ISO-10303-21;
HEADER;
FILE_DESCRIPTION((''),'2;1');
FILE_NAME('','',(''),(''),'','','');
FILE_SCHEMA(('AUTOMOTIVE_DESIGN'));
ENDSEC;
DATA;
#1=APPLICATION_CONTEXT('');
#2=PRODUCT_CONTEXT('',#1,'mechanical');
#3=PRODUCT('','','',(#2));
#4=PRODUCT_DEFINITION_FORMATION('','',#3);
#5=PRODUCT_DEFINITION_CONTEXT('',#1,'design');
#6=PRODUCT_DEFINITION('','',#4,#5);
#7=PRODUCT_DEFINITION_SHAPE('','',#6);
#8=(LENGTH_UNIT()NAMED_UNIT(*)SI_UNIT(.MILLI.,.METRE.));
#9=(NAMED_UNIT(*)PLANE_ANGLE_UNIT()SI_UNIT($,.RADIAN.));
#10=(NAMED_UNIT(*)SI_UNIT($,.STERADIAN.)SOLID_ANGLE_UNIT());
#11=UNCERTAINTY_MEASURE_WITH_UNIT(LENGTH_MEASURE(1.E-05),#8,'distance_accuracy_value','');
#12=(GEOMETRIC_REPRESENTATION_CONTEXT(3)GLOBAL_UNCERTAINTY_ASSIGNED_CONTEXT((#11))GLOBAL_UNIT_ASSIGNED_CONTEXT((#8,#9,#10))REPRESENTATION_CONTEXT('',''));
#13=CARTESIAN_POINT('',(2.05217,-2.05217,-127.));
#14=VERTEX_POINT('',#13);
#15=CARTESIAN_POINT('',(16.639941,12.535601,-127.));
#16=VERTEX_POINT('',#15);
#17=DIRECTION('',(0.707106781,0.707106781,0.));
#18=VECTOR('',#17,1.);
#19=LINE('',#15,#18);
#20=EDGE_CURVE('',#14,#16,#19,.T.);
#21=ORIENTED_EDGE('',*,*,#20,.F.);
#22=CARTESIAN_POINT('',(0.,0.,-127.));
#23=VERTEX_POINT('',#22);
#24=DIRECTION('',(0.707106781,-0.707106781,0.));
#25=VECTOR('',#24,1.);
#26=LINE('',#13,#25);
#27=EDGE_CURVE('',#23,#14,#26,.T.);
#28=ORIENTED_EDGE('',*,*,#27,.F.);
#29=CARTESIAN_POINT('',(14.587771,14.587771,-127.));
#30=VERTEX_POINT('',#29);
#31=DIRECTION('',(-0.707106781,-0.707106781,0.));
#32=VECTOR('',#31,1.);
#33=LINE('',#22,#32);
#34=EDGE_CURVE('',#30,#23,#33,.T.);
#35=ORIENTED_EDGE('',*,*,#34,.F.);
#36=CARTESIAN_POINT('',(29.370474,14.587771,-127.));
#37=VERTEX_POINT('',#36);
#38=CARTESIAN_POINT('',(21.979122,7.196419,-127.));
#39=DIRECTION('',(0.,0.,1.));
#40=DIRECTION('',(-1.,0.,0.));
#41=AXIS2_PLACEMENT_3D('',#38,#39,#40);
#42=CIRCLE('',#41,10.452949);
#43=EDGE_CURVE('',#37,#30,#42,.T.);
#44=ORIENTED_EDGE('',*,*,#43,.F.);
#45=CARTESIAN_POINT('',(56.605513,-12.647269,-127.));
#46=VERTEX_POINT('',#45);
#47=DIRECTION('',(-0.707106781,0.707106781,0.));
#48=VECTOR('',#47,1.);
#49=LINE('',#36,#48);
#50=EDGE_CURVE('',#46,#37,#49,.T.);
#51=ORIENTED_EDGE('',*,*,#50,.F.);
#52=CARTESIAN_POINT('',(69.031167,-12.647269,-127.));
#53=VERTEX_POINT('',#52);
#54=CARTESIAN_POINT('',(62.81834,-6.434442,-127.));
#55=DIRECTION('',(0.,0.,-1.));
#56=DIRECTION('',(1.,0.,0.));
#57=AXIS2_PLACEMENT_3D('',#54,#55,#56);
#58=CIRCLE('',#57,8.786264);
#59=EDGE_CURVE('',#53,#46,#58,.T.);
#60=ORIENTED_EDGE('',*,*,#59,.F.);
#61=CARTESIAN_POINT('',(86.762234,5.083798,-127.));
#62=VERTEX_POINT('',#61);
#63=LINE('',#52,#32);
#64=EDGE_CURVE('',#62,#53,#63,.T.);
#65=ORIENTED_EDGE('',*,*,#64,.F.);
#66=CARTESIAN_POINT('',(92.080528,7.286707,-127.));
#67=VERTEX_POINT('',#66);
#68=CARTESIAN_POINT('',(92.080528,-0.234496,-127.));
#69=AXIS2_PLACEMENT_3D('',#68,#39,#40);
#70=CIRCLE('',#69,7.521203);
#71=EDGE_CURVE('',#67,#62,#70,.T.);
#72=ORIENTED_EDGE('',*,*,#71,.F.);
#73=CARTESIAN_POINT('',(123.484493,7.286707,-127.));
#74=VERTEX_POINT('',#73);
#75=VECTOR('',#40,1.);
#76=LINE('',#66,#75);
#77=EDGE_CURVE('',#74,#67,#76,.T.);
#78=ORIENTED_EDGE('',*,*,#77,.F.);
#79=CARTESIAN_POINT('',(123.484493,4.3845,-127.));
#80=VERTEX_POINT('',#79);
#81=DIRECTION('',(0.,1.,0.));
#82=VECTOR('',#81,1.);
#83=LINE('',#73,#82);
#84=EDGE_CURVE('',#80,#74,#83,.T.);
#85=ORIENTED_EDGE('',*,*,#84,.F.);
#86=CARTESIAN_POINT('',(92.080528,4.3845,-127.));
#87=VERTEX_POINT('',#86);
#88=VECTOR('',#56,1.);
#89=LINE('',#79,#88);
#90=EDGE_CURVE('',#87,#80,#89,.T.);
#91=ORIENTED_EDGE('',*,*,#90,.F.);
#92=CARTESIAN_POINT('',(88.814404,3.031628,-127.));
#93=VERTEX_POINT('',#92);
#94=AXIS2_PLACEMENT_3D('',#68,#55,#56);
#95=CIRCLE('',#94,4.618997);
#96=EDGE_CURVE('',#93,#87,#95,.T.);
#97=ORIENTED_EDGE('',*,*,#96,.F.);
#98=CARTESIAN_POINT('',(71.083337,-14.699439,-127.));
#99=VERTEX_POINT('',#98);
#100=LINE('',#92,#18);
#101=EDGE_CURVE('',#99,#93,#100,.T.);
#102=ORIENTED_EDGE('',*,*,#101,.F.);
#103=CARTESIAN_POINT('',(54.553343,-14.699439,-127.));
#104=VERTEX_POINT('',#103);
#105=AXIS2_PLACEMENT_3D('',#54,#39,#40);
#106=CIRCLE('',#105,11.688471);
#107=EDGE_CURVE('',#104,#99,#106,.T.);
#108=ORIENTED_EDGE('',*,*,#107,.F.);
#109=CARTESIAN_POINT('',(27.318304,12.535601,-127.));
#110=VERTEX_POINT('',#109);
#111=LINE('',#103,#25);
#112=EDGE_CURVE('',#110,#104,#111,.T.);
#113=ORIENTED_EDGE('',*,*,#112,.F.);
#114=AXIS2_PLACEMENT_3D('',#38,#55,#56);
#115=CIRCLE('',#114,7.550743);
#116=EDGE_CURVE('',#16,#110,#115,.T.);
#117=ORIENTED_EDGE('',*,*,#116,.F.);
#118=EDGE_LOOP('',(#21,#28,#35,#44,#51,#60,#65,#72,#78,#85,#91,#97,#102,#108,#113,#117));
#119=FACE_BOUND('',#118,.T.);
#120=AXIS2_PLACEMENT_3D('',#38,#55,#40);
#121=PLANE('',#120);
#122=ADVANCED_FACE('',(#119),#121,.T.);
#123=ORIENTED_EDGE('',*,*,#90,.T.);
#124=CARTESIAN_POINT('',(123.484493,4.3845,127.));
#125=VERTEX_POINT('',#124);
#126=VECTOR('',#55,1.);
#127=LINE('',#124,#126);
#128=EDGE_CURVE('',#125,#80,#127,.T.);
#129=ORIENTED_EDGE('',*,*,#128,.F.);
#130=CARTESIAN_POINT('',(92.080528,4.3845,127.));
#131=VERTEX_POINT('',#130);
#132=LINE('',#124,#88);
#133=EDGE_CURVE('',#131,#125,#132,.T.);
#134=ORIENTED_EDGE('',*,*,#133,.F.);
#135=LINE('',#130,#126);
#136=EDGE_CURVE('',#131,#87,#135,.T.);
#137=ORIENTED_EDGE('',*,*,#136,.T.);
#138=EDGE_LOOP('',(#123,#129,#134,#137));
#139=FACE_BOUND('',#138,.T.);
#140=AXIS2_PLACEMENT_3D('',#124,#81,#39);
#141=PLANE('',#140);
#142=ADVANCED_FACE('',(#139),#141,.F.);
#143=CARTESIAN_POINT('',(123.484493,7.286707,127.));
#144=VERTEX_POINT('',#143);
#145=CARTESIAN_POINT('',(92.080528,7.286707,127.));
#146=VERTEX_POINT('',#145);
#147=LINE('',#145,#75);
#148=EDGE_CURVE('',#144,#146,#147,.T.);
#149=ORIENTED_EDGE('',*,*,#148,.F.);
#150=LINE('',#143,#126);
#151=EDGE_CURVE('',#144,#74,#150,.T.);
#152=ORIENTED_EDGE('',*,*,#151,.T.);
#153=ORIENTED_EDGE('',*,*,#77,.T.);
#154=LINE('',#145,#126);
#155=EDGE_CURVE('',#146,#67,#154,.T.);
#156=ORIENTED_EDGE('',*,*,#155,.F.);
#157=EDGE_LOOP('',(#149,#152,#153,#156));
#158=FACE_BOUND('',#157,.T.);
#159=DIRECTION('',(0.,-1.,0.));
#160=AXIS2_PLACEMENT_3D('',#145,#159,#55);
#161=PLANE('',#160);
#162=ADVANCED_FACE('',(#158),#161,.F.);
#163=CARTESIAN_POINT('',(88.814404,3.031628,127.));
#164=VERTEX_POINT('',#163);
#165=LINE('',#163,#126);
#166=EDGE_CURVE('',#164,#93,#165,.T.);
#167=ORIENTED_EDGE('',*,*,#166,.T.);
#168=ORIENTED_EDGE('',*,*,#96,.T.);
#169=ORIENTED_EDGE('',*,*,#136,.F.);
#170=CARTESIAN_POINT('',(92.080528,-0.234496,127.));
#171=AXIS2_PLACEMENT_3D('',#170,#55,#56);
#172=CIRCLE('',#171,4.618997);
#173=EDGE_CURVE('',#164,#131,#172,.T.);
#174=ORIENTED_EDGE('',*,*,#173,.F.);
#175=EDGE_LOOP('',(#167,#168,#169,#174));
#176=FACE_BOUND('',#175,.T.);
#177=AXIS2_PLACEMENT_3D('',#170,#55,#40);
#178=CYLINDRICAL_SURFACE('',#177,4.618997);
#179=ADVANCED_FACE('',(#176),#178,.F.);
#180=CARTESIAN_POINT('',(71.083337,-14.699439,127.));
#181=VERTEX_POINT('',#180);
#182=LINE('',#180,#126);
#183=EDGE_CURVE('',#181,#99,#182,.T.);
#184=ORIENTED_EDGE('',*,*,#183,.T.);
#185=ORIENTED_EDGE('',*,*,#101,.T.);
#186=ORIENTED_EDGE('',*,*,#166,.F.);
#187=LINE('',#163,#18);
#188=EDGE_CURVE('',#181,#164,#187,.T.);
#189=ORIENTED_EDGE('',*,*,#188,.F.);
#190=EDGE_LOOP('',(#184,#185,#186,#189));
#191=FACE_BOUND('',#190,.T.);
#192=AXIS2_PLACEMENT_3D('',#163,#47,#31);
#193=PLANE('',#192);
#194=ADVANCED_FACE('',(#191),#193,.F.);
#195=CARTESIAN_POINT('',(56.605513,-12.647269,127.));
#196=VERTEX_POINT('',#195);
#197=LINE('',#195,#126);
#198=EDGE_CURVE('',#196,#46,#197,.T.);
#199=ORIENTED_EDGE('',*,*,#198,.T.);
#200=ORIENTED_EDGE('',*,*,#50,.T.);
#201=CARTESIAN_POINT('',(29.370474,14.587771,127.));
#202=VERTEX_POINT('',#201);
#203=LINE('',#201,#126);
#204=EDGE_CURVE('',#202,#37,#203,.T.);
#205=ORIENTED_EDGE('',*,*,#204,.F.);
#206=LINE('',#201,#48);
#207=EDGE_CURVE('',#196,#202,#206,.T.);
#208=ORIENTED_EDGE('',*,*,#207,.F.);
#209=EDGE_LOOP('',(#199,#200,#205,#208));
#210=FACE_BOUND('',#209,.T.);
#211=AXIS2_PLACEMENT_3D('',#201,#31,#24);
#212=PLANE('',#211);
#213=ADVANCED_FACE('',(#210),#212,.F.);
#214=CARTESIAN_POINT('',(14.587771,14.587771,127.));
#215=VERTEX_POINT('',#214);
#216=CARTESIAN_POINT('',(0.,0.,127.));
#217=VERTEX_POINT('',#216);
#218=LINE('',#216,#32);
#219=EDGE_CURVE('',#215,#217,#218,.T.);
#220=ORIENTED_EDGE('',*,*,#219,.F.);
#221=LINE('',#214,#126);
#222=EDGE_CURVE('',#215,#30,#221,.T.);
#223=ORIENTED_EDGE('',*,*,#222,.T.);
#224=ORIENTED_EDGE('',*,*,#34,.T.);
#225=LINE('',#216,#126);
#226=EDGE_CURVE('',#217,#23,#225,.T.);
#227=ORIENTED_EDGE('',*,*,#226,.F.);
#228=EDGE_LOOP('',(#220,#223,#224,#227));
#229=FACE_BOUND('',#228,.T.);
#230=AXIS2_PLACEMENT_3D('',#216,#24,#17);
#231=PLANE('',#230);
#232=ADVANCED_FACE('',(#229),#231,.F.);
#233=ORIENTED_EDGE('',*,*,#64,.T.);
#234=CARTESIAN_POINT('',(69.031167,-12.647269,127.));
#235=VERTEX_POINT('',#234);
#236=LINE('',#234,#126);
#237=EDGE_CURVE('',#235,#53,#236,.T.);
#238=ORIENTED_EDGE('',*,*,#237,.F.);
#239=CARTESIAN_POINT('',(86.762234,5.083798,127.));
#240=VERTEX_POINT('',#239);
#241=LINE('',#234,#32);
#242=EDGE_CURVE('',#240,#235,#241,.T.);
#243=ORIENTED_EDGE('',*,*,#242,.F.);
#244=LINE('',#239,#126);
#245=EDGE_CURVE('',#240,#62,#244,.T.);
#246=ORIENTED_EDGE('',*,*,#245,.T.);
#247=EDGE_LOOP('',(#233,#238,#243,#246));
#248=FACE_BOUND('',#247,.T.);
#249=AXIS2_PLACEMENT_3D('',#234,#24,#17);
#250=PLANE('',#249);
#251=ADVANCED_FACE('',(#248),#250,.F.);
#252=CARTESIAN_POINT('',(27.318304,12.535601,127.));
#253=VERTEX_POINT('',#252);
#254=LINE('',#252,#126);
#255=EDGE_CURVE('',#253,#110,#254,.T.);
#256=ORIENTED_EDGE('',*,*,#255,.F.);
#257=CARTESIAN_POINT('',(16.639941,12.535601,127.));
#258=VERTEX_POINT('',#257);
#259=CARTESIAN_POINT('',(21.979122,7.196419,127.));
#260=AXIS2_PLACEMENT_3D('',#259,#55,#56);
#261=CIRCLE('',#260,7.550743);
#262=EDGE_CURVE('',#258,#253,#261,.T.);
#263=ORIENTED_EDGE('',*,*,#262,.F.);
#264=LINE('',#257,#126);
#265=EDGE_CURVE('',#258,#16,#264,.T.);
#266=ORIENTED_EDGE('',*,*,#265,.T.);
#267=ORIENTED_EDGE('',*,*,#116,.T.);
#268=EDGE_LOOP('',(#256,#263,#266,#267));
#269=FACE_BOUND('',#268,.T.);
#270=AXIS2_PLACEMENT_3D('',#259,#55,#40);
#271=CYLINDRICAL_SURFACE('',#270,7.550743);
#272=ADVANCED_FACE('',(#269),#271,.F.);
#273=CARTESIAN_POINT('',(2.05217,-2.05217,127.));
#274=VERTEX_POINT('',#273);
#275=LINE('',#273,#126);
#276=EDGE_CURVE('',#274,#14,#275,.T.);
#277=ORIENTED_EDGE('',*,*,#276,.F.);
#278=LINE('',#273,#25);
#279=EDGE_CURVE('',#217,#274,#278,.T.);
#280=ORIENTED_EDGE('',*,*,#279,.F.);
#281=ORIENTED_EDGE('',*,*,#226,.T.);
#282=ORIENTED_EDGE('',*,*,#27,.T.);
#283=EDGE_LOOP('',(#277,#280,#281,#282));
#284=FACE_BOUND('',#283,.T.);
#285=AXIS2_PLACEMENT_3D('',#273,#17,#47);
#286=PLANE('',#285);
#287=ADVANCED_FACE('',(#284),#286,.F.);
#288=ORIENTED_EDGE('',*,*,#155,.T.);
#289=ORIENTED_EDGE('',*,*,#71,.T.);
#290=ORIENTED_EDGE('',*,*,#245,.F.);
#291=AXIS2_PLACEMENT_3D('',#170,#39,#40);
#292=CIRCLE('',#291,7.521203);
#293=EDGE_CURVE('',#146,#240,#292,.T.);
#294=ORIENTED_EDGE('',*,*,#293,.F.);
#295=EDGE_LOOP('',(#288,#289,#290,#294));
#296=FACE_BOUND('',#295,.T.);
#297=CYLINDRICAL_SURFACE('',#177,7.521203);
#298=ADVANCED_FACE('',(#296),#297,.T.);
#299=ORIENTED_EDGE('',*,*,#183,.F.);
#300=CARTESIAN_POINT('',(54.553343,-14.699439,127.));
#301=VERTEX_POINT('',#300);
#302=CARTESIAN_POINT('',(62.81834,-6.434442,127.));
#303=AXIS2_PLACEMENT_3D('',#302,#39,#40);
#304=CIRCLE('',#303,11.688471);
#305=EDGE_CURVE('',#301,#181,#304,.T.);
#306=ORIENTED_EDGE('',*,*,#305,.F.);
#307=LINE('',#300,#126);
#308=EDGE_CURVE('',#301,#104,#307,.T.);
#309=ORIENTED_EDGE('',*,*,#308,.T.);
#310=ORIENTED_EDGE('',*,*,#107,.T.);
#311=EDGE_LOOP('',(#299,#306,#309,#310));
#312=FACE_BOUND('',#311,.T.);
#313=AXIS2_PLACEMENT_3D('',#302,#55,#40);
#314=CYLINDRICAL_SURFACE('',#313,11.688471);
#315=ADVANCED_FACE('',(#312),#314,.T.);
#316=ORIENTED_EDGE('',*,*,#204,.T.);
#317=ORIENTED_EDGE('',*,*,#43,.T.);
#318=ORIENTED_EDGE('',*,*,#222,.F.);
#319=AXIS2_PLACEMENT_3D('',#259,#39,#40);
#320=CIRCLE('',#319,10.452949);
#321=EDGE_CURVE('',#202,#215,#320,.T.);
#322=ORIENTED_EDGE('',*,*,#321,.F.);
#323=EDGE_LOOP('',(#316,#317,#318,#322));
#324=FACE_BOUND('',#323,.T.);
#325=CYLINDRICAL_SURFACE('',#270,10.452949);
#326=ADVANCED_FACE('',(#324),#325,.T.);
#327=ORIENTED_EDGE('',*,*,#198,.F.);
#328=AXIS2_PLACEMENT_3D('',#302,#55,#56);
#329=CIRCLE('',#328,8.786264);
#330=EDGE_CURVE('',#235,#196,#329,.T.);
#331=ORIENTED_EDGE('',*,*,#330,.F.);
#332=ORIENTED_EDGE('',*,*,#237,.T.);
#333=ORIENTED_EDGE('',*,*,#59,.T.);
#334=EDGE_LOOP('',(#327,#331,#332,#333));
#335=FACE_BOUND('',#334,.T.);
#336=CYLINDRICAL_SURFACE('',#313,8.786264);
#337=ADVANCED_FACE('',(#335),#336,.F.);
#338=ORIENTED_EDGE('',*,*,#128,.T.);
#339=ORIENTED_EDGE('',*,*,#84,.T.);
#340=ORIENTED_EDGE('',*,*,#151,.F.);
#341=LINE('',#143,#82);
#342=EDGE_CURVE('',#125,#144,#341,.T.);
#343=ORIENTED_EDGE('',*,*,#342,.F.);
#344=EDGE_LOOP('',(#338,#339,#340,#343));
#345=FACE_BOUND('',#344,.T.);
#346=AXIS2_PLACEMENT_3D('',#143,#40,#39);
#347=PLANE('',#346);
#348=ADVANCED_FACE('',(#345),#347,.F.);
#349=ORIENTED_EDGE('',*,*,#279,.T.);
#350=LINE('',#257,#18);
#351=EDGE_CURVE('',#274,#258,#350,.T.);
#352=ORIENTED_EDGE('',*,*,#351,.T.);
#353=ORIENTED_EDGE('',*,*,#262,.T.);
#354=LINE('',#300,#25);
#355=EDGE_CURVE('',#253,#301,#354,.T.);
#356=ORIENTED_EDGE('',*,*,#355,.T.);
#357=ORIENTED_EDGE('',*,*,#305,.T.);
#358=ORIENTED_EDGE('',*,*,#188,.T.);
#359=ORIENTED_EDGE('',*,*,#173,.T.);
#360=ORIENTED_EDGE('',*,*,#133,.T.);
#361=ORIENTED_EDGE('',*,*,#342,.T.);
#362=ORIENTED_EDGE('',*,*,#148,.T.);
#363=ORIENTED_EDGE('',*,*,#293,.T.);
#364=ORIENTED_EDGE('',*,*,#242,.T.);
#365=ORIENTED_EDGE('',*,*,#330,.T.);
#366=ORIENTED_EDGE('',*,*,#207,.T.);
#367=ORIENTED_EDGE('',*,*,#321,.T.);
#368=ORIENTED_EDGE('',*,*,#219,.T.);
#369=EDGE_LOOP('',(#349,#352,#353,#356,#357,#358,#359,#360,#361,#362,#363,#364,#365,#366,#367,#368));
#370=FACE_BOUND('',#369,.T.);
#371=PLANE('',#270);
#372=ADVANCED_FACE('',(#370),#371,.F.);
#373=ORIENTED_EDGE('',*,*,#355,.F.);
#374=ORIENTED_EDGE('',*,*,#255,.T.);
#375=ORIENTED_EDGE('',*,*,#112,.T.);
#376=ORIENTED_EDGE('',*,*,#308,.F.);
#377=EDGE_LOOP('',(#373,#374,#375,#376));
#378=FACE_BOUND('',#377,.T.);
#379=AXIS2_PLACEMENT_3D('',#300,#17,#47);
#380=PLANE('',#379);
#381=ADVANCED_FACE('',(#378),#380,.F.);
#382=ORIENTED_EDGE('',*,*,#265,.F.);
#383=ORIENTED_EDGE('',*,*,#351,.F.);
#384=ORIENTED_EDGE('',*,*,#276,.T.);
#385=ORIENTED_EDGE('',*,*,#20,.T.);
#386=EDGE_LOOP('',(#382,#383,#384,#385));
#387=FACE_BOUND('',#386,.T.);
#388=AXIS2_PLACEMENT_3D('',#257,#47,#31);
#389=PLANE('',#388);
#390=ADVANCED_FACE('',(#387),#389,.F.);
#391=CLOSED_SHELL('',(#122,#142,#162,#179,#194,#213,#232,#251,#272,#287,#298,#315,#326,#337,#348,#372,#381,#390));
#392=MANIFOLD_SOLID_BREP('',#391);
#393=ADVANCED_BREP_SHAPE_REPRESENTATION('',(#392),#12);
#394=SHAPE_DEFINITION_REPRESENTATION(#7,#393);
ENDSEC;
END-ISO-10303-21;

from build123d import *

# Parameters (mm, degrees)
BOSS_EXTRUDE1_DEPTH = 127


with BuildPart() as part:
    # Sketch2 → Boss-Extrude1 (new, symmetric)
    with BuildSketch(Plane.XY):
        with BuildLine():
            Line((0, 0), (14.587770823, 14.587770823))
            ThreePointArc((14.587770823, 14.587770823), (21.979122217, 17.649368814), (29.370473611, 14.587770823))
            Line((29.370473611, 14.587770823), (56.605513128, -12.647268694))
            ThreePointArc((56.605513128, -12.647268694), (62.818340236, -15.220705943), (69.031167343, -12.647268694))
            Line((69.031167343, -12.647268694), (86.762233624, 5.083797586))
            ThreePointArc((86.762233624, 5.083797586), (89.202287645, 6.714189559), (92.08052761, 7.286707084))
            Line((92.08052761, 7.286707084), (123.484493194, 7.286707084))
            Line((123.484493194, 7.286707084), (123.484493194, 4.384500447))
            Line((123.484493194, 4.384500447), (92.08052761, 4.384500447))
            ThreePointArc((92.08052761, 4.384500447), (90.312914042, 4.032900248), (88.814403617, 3.031627593))
            Line((88.814403617, 3.031627593), (71.083337336, -14.699438688))
            ThreePointArc((71.083337336, -14.699438688), (62.818340236, -18.12291258), (54.553343135, -14.699438688))
            Line((54.553343135, -14.699438688), (27.318303618, 12.535600829))
            ThreePointArc((27.318303618, 12.535600829), (21.979122217, 14.747162178), (16.639940816, 12.535600829))
            Line((16.639940816, 12.535600829), (2.052169993, -2.052169993))
            Line((2.052169993, -2.052169993), (0, 0))
        make_face()
    extrude(amount=BOSS_EXTRUDE1_DEPTH, both=True)


solid = part.part
